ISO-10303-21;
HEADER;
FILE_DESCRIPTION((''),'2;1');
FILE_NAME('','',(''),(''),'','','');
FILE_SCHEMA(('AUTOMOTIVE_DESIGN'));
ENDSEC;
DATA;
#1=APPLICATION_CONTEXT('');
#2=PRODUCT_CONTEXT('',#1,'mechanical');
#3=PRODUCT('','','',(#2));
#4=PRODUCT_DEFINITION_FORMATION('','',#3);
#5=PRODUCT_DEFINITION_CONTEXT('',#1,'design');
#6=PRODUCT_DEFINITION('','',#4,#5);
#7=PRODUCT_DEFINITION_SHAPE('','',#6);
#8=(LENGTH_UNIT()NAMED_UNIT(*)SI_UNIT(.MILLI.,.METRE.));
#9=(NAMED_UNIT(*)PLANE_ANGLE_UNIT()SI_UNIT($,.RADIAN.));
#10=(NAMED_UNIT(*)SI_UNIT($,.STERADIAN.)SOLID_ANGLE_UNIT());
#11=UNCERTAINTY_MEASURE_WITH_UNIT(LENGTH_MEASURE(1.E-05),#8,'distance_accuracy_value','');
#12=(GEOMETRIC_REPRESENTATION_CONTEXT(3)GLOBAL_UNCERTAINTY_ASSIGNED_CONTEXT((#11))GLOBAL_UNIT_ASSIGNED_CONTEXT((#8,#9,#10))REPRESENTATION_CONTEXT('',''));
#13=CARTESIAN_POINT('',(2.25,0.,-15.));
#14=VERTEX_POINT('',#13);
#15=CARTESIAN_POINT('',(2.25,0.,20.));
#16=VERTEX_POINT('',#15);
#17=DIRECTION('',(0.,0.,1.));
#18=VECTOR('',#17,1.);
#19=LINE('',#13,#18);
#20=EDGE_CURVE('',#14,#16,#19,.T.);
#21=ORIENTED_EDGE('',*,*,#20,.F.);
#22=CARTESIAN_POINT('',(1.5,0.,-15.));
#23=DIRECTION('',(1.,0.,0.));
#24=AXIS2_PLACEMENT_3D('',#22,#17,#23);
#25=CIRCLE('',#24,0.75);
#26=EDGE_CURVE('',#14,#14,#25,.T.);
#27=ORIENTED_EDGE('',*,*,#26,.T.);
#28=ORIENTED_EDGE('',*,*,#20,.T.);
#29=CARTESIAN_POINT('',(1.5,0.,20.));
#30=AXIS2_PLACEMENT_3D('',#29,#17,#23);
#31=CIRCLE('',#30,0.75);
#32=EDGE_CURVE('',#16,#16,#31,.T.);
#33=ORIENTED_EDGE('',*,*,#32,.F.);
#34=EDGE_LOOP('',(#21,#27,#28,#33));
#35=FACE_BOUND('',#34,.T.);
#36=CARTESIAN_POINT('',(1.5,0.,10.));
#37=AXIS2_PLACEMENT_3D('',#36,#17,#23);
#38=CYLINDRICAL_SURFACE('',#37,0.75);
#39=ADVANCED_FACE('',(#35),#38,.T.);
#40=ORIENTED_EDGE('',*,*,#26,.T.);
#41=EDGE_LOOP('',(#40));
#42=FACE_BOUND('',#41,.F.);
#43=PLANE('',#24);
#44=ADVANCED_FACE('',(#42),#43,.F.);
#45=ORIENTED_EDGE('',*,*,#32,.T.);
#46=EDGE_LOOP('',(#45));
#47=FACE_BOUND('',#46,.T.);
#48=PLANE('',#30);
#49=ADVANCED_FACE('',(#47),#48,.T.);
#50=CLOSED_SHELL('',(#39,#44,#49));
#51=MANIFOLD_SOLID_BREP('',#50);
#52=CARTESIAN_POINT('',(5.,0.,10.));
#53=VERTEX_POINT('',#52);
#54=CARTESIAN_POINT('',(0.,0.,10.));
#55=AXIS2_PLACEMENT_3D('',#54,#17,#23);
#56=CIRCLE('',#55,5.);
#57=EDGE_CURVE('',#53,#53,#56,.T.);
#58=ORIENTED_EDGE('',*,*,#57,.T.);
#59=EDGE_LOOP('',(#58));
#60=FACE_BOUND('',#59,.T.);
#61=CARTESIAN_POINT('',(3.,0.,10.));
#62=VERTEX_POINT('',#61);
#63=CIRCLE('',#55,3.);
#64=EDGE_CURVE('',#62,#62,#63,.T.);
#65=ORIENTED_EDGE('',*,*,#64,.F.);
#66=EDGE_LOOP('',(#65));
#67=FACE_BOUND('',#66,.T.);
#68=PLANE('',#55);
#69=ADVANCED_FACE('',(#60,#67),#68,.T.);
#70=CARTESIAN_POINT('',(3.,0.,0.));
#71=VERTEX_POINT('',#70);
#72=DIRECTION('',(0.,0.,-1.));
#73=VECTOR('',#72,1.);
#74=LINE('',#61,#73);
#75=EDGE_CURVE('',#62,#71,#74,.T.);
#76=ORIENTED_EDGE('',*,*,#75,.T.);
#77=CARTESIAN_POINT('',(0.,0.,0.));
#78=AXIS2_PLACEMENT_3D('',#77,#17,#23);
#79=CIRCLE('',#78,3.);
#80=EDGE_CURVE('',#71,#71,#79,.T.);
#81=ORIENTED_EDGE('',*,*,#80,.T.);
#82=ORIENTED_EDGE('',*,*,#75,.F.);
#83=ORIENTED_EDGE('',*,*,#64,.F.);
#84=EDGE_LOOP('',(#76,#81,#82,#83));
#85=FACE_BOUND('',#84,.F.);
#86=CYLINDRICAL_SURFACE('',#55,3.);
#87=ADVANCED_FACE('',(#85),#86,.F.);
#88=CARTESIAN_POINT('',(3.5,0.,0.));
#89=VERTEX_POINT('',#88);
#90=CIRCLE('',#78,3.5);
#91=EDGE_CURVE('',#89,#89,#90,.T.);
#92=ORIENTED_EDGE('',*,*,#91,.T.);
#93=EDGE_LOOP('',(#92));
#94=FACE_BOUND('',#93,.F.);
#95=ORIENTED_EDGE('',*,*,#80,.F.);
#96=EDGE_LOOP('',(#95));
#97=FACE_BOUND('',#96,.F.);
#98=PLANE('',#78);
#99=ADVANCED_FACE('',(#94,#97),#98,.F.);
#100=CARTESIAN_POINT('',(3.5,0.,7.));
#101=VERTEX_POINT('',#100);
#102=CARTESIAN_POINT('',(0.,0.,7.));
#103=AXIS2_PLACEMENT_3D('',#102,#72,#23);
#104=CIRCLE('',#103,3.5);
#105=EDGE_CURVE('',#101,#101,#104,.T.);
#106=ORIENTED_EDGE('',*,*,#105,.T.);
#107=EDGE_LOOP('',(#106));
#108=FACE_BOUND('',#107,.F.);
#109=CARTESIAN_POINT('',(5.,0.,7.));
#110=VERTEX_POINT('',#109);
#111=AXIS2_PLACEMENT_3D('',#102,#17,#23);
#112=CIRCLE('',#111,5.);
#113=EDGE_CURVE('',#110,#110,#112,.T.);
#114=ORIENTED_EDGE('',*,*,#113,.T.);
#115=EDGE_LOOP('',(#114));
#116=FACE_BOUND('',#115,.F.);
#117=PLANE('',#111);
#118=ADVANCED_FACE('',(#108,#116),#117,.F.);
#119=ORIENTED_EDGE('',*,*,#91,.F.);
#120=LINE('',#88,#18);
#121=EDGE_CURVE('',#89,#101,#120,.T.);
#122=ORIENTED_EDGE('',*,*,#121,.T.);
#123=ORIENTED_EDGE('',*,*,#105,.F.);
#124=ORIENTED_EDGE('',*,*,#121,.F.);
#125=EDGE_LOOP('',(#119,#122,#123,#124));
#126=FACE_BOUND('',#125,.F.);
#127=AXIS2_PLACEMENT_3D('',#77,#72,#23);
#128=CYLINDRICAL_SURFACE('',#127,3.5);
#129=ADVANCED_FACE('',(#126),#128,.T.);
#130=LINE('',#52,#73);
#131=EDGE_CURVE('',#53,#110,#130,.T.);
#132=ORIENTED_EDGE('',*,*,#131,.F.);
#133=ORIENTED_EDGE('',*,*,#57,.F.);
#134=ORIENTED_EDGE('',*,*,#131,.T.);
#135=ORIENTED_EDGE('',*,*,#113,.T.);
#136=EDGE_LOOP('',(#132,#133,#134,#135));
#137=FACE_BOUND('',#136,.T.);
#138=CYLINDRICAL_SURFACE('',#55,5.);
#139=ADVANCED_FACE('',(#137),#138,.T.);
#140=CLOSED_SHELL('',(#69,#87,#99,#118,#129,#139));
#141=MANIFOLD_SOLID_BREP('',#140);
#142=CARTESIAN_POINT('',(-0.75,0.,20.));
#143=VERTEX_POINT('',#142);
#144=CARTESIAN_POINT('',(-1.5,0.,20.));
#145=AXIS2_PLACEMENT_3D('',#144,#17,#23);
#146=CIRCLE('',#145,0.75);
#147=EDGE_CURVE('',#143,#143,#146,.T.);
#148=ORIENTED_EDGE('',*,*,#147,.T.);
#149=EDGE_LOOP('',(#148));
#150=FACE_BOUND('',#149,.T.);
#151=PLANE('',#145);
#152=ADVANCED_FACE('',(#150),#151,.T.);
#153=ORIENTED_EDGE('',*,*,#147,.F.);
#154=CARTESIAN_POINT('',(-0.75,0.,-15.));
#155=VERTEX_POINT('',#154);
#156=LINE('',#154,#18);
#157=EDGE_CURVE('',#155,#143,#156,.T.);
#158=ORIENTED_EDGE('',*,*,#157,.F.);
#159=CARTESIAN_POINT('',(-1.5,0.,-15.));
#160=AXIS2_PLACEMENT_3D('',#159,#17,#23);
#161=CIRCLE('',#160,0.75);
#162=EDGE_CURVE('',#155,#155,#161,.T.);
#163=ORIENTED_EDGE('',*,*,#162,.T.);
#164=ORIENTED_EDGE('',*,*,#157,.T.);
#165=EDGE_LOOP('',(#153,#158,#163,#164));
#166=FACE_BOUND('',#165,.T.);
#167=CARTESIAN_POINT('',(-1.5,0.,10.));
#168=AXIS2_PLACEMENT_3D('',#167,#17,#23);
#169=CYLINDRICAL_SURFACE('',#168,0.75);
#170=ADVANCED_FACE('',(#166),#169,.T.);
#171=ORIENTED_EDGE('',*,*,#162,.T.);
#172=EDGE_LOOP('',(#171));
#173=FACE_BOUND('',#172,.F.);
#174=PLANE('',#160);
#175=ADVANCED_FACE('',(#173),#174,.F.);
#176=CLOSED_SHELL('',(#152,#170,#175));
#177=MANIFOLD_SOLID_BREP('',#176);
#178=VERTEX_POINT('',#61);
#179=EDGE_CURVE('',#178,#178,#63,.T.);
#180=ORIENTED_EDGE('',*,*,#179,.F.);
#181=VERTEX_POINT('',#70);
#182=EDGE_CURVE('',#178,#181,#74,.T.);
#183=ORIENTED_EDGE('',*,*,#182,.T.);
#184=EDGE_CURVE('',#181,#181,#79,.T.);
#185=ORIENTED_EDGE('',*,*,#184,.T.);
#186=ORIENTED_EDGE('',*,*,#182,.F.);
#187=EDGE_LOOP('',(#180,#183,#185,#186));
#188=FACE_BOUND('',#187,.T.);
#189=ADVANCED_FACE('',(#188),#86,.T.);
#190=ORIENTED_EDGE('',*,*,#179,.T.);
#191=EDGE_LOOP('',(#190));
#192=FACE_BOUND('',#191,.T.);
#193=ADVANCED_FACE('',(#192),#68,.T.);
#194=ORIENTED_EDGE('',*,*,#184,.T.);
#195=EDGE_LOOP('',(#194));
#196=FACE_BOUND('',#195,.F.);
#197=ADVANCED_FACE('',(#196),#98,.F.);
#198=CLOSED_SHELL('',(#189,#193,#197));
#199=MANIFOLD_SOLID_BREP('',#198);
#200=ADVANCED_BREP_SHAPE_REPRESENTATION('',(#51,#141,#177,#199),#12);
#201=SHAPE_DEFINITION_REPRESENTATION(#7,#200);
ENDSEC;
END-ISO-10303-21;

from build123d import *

# Parameters (mm, degrees)
F0_R          = 3.5
F1_DEPTH      = 10
F2_R          = 5
F3_DEPTH      = 3
F4_R          = 3
F5_DEPTH      = 25
F6_DEPTH      = 10
F7_R          = 0.75
F8_DEPTH      = 10
F8_DEPTH_BACK = 25


with BuildPart() as f1:
    # F0 (on Top) → F1 (new body)
    with BuildSketch(Plane.XY):
        Circle(F0_R)
    extrude(amount=F1_DEPTH)

    # F2 (on face) → F3 (join)
    with BuildSketch(Plane.XY.offset(10)):
        Circle(F2_R)
    extrude(amount=-F3_DEPTH)

    # F4 (on face) → F5 (cut)
    with BuildSketch(Plane.XY.offset(10)):
        Circle(F4_R)
    extrude(amount=-F5_DEPTH, mode=Mode.SUBTRACT)


with BuildPart() as f6:
    # F4 (on face) → F6 (new body)
    with BuildSketch(Plane.XY.offset(10)):
        Circle(F4_R)
    extrude(amount=-F6_DEPTH)


with BuildPart() as f8:
    # F7 (on face) → F8 (new body, two sides)
    with BuildSketch(Plane.XY.offset(10)) as f8_sk:
        with Locations((-1.5, 0)):
            Circle(F7_R)
        with Locations((1.5, 0)):
            Circle(F7_R)
    extrude(amount=F8_DEPTH)
    extrude(f8_sk.sketch, amount=-F8_DEPTH_BACK)


solid = Compound([f1.part, f6.part, f8.part])
